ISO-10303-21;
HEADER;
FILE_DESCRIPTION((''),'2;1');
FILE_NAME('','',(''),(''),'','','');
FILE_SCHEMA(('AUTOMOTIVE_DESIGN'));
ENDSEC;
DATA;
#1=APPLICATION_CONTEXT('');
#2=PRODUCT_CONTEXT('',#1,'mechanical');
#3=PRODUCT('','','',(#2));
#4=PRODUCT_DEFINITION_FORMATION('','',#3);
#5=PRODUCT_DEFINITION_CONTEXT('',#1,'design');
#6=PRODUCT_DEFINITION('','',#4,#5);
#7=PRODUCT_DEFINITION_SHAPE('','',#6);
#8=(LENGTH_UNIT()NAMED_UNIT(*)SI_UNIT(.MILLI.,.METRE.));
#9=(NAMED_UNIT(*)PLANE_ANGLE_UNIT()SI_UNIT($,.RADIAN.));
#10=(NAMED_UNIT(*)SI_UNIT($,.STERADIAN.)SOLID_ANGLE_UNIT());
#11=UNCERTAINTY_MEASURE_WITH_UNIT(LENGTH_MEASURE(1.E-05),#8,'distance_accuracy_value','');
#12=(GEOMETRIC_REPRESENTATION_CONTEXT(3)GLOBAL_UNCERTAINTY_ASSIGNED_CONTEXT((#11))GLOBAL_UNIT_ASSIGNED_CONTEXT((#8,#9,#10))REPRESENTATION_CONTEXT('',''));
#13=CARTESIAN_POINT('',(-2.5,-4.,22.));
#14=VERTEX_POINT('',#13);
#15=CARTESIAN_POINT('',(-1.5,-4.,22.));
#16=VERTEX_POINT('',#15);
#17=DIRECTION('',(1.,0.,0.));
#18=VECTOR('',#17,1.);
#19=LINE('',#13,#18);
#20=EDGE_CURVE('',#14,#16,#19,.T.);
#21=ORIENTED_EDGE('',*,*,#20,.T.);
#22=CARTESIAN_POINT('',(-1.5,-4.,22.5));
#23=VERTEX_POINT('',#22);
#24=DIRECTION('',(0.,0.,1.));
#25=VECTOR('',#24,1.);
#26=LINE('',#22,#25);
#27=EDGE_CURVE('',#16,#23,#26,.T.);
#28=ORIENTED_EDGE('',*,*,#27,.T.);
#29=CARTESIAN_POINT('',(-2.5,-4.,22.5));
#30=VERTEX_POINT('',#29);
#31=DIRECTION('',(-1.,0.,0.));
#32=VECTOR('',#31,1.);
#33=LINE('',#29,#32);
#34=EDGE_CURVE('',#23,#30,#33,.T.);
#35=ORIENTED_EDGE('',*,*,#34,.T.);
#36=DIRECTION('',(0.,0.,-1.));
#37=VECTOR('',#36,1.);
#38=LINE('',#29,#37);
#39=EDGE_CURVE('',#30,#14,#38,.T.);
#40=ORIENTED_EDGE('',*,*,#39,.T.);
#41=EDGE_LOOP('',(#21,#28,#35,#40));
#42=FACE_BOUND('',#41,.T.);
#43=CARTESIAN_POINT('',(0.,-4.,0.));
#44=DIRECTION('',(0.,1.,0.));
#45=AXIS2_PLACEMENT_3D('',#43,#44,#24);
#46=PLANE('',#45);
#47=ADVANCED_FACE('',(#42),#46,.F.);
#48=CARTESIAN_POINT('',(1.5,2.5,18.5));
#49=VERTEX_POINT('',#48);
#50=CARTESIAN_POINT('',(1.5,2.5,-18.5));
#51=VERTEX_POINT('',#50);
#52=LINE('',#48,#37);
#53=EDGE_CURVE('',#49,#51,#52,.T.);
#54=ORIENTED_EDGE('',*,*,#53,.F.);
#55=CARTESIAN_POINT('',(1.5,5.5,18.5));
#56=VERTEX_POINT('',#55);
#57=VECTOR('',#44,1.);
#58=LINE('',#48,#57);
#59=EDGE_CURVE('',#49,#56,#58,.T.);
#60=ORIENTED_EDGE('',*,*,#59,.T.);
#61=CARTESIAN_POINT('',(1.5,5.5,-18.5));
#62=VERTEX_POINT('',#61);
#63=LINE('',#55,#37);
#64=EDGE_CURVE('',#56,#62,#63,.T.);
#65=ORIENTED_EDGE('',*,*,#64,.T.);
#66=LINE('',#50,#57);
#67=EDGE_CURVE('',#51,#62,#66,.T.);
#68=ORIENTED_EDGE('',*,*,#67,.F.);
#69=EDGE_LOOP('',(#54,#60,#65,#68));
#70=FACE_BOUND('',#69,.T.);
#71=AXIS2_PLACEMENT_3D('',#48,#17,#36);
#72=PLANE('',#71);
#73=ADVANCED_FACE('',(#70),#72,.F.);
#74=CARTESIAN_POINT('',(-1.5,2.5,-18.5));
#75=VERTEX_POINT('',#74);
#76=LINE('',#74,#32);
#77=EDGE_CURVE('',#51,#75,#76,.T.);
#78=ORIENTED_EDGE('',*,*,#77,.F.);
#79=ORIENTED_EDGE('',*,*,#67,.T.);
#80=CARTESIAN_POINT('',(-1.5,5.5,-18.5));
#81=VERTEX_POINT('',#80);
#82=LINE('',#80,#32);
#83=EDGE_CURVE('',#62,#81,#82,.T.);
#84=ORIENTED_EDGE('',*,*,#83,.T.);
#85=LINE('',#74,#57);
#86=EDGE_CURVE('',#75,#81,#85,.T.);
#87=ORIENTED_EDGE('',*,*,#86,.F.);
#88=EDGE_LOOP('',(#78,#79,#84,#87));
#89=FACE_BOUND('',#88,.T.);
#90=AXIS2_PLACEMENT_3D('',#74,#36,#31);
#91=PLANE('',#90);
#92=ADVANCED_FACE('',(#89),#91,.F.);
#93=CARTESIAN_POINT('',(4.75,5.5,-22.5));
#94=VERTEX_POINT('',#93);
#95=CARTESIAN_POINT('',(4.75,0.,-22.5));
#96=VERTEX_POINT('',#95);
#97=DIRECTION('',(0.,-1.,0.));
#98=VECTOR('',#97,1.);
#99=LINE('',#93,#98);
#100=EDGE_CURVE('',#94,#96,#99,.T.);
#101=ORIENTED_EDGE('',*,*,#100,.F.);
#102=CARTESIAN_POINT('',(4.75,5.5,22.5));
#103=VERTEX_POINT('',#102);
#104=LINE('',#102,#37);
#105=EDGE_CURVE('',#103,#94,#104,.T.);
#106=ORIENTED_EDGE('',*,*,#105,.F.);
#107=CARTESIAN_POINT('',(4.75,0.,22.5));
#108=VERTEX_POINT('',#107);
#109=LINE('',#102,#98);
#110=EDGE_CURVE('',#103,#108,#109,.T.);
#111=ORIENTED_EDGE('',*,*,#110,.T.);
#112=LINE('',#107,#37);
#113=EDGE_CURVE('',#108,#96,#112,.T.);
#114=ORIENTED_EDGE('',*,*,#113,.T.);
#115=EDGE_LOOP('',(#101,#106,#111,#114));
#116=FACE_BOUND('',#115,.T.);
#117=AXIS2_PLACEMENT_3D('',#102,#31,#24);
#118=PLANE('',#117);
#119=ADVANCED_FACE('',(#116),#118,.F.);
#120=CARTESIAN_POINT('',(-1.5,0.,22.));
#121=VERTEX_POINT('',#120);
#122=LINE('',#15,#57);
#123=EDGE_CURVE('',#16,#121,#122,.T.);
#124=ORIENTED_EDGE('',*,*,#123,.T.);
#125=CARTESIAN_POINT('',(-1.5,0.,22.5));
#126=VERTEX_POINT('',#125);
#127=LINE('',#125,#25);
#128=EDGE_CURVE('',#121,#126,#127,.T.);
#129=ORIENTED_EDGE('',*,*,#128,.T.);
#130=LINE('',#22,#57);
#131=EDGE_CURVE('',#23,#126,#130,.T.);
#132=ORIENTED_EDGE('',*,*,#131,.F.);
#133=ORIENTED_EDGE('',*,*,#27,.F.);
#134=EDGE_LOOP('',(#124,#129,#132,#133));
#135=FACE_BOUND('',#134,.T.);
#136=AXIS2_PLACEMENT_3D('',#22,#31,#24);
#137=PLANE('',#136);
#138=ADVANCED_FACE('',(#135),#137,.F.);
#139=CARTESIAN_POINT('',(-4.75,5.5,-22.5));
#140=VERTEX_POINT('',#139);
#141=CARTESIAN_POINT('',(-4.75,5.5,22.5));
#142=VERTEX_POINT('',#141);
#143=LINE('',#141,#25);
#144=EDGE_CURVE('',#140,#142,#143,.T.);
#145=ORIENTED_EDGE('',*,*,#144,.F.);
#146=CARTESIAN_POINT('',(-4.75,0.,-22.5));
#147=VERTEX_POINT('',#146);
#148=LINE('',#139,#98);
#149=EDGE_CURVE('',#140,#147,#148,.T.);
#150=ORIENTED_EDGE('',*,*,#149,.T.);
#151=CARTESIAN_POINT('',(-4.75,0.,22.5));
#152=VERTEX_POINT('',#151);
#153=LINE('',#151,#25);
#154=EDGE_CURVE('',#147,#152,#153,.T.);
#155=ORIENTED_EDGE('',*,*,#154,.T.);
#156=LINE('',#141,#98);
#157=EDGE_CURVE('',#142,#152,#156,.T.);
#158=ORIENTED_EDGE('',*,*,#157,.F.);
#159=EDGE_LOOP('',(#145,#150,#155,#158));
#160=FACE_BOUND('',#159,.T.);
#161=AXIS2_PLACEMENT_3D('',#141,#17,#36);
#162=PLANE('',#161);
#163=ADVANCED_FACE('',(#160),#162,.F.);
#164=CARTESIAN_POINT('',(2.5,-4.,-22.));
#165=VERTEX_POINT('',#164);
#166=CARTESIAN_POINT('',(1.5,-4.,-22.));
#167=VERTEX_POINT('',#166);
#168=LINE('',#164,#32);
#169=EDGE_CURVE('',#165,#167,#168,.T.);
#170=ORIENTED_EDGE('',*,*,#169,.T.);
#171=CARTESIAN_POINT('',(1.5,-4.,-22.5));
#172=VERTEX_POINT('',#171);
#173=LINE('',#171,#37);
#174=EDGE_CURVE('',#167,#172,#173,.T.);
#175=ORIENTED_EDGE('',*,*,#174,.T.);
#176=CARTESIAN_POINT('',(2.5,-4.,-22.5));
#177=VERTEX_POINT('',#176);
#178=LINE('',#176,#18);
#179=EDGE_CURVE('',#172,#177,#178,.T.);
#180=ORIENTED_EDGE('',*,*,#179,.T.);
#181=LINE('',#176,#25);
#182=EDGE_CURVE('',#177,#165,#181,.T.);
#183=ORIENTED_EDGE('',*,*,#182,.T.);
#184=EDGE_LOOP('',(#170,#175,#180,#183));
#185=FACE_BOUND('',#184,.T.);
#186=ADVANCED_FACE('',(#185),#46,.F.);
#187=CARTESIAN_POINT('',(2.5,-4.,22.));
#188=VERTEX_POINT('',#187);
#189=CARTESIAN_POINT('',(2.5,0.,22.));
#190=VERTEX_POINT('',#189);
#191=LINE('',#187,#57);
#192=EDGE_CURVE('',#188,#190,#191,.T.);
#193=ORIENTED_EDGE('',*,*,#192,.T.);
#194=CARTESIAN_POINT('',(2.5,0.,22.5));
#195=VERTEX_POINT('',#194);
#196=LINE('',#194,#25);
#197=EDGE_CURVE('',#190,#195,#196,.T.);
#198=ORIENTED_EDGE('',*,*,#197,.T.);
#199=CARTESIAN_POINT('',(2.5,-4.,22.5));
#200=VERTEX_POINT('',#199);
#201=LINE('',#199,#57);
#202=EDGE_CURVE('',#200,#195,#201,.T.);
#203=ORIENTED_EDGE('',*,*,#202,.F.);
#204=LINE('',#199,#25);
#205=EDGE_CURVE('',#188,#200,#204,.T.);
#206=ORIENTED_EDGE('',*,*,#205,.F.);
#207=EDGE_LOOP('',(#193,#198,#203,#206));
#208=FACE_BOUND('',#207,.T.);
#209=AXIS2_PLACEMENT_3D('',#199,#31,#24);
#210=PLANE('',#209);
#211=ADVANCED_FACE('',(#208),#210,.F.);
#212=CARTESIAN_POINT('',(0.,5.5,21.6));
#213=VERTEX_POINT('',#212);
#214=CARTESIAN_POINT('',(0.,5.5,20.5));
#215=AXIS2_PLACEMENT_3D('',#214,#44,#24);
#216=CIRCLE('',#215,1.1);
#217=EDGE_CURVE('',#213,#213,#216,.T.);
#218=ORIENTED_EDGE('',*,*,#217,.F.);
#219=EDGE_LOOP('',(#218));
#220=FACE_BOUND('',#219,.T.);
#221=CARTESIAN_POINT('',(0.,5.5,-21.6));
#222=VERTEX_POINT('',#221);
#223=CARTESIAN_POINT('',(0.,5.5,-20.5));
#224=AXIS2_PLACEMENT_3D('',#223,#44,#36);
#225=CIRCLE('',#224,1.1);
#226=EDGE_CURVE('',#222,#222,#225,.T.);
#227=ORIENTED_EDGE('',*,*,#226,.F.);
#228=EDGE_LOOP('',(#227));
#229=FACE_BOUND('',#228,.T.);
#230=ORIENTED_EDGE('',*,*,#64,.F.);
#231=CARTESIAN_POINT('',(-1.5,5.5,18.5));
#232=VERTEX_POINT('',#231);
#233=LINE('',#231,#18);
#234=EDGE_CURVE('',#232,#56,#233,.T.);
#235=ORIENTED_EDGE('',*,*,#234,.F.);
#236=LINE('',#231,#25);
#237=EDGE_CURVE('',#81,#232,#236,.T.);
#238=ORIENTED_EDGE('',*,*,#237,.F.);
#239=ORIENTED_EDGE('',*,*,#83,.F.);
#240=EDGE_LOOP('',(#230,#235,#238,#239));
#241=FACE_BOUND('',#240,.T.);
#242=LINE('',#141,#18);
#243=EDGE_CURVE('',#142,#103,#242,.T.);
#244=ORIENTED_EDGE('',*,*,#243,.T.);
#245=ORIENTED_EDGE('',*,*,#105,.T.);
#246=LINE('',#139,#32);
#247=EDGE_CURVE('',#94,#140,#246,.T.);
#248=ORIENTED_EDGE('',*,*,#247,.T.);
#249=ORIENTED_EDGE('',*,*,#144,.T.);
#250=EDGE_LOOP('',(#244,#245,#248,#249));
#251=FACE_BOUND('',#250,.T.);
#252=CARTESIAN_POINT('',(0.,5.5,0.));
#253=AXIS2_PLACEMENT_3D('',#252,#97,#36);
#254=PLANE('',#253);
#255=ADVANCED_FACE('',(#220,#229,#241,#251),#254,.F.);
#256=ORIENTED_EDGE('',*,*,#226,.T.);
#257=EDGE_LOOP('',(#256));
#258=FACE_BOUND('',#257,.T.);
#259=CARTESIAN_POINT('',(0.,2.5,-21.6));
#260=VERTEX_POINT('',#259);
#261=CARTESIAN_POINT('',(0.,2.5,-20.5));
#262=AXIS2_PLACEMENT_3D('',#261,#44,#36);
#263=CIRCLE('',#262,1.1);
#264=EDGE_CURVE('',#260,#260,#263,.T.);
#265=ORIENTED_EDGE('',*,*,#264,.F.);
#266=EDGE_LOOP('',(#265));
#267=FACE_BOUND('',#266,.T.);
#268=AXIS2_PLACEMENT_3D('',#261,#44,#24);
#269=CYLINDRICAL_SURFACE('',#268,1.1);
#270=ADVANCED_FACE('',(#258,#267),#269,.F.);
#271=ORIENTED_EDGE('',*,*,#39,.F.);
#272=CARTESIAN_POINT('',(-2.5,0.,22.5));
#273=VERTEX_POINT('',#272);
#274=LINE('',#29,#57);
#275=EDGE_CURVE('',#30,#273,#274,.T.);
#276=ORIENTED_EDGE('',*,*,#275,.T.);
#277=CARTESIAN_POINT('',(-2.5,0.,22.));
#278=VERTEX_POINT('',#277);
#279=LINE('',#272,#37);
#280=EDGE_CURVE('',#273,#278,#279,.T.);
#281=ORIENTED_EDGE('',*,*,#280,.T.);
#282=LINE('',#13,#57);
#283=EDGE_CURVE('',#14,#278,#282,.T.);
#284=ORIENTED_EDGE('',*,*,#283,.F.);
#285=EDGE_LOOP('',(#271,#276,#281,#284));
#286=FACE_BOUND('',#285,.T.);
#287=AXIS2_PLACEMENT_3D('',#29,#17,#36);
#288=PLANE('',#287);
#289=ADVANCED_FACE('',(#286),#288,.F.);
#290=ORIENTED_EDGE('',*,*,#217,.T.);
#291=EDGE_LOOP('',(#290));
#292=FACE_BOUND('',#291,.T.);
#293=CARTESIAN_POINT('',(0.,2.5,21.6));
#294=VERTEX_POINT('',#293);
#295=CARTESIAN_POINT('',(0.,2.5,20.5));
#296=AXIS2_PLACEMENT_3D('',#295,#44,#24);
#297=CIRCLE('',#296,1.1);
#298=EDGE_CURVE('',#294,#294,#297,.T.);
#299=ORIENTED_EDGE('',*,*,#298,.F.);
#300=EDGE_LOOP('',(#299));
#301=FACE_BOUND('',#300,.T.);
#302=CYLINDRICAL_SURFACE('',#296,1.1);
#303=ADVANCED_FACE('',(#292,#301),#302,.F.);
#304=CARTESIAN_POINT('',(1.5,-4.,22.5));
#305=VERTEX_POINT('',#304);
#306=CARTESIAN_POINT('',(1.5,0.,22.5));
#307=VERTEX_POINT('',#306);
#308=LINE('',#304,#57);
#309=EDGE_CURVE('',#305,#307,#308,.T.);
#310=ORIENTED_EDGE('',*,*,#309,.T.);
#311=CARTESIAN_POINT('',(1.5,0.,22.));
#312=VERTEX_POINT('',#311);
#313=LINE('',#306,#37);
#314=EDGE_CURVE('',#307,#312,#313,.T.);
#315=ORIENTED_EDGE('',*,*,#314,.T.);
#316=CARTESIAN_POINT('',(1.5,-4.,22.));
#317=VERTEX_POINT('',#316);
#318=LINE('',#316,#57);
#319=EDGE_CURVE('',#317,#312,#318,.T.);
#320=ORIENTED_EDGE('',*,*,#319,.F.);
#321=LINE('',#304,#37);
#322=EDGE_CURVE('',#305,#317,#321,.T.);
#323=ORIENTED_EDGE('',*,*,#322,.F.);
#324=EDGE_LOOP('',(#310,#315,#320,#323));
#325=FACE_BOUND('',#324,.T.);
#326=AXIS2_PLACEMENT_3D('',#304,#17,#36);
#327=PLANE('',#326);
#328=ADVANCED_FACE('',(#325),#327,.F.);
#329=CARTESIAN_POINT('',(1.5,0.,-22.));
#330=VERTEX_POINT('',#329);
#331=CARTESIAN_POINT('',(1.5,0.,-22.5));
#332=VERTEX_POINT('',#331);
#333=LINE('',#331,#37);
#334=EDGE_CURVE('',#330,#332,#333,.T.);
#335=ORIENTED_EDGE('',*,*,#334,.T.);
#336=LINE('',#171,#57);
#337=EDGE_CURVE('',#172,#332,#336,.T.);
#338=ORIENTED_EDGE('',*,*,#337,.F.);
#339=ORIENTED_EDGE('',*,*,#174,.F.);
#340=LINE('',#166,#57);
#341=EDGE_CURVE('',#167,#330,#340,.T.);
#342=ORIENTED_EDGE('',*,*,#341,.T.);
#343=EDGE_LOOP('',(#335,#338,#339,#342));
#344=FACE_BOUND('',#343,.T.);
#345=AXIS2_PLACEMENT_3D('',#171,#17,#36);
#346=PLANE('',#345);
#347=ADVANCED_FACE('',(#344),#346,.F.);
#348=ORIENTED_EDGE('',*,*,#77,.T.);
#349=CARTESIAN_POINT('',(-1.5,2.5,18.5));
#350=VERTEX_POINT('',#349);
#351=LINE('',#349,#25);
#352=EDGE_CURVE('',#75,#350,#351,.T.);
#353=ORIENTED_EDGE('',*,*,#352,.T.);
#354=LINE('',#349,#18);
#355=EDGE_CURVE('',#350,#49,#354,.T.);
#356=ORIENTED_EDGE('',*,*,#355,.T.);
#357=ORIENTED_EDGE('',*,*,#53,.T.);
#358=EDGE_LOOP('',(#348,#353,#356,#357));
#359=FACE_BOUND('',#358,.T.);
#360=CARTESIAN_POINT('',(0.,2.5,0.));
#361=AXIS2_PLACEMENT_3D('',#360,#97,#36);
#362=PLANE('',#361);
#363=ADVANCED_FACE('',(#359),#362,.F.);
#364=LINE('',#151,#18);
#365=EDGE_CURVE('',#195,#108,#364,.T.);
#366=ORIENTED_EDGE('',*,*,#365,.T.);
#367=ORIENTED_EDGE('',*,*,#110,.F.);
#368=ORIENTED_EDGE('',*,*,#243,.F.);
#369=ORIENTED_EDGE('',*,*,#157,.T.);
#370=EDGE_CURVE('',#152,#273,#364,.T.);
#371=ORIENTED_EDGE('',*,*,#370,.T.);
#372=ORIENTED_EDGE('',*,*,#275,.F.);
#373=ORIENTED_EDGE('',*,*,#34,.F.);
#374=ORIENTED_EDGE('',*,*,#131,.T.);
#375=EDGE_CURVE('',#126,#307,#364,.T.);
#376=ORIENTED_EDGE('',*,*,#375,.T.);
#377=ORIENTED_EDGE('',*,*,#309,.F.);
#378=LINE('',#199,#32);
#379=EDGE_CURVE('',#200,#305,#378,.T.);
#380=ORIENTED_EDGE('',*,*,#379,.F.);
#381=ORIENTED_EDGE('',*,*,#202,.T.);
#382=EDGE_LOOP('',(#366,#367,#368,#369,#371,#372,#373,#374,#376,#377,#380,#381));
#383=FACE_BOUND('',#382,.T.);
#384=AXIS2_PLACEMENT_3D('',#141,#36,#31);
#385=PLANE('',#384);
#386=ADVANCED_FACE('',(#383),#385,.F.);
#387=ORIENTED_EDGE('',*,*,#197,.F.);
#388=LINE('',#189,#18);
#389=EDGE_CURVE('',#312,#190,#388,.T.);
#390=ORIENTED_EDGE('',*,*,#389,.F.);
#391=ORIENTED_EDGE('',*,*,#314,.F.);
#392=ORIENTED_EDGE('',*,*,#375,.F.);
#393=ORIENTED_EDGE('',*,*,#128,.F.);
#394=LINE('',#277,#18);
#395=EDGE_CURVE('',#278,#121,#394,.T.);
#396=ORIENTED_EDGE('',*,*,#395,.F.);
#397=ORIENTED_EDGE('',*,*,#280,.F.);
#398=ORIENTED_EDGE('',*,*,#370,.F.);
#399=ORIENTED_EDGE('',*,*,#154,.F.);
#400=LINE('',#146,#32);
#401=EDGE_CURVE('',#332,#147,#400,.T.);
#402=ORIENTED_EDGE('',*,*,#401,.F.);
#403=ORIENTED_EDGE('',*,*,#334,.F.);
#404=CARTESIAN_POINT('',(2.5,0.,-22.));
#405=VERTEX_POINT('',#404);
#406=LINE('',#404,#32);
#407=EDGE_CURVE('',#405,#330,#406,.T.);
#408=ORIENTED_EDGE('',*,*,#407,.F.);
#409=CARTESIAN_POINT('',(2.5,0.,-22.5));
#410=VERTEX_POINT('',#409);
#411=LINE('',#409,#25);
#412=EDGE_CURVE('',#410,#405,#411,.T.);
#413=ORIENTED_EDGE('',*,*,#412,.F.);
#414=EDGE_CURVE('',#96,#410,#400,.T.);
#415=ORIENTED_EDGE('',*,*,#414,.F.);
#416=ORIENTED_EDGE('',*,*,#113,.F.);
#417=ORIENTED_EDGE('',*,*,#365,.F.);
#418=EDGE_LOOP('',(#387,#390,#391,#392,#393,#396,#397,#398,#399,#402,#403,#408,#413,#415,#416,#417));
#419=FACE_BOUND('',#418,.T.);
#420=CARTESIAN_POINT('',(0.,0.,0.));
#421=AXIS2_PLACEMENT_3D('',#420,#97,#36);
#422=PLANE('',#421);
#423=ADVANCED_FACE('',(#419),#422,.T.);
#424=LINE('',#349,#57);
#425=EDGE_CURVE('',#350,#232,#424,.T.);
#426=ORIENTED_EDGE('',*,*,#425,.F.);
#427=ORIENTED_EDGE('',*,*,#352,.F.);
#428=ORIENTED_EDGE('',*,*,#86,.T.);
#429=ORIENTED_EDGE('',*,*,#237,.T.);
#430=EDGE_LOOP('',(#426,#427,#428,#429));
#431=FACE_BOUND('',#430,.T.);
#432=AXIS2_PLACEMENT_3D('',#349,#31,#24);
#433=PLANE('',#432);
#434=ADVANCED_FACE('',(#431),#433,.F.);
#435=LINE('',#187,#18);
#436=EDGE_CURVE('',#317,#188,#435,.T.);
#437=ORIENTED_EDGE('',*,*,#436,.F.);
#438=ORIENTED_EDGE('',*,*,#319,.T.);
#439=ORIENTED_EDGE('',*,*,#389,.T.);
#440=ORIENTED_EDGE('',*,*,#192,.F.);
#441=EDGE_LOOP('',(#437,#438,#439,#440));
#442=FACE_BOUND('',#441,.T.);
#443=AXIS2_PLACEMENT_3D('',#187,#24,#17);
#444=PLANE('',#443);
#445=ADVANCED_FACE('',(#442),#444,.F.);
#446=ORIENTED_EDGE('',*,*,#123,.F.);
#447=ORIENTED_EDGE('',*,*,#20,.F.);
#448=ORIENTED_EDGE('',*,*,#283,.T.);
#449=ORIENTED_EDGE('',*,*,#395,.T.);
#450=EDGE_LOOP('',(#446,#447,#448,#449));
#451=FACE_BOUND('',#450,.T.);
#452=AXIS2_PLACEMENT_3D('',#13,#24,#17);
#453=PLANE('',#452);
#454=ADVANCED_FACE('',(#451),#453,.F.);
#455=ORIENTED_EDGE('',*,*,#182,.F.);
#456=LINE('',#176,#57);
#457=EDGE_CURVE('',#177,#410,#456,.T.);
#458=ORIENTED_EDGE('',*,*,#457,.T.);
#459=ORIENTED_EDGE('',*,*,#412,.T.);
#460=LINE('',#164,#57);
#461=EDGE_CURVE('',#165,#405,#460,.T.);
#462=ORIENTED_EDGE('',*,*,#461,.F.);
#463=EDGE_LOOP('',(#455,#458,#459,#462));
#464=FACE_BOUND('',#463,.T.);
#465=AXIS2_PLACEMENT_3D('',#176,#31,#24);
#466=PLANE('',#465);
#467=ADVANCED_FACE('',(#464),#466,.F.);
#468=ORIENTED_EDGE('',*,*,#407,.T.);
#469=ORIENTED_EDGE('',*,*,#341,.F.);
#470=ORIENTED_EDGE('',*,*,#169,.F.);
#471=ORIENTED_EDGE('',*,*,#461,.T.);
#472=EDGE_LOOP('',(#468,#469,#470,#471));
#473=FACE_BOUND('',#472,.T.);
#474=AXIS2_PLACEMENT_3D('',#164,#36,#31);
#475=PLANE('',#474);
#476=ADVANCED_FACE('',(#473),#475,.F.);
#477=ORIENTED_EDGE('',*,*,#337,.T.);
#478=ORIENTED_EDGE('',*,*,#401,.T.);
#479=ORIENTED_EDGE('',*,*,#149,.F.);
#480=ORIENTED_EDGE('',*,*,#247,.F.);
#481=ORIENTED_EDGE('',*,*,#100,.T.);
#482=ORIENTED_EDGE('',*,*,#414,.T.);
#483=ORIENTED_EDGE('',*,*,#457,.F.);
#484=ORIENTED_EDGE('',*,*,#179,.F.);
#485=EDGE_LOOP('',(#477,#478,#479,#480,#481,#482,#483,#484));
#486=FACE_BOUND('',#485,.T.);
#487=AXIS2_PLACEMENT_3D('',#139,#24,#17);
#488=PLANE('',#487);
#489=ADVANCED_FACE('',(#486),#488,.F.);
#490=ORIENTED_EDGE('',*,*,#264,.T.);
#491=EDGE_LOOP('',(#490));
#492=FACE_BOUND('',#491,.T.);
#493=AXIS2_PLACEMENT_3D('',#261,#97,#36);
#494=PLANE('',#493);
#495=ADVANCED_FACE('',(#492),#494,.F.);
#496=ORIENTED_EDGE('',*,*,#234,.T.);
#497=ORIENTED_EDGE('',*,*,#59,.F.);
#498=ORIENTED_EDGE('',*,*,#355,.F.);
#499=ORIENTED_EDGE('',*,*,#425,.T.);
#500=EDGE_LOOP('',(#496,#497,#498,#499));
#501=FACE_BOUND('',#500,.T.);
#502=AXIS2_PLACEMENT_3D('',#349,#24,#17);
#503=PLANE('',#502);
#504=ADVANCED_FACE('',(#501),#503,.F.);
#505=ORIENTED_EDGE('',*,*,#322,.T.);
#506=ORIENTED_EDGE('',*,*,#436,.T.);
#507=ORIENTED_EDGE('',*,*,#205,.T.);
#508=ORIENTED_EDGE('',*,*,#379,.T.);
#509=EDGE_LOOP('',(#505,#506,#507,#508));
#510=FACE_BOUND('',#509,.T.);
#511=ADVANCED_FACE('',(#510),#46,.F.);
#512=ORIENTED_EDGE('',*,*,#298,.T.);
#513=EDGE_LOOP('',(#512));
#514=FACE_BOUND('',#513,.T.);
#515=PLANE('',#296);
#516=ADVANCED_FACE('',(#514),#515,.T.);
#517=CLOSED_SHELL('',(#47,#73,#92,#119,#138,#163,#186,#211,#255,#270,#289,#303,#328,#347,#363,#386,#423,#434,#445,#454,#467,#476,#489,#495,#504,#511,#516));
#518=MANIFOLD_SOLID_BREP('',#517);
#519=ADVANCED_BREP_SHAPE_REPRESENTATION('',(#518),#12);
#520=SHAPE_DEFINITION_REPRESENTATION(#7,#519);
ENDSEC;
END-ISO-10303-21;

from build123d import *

# Parameters (mm, degrees)
SKETCH_1_W          = 9.5
SKETCH_1_H          = 45
EXTRUDE_1_DEPTH     = 5.5
SKETCH_2_W          = 3
SKETCH_2_H          = 37
CUT_EXTRUDE_1_DEPTH = 3
SKETCH_3_R          = 1.1
CUT_EXTRUDE_2_DEPTH = 3
SKETCH_4_W          = 1
SKETCH_4_H          = 0.5
EXTRUDE_2_DEPTH     = 4


with BuildPart() as part:
    # 草图1 → 凸台-拉伸1 (new body)
    with BuildSketch(Plane(origin=(0, 0, 0), x_dir=(1, 0, 0), z_dir=(0, 1, 0))):
        Rectangle(SKETCH_1_W, SKETCH_1_H)
    extrude(amount=EXTRUDE_1_DEPTH)

    # 草图2 → 切除-拉伸1 (cut)
    with BuildSketch(Plane(origin=(0, 5.5, 0), x_dir=(1, 0, 0), z_dir=(0, 1, 0))):
        Rectangle(SKETCH_2_W, SKETCH_2_H)
    extrude(amount=-CUT_EXTRUDE_1_DEPTH, mode=Mode.SUBTRACT)

    # 草图3 → 切除-拉伸2 (cut)
    with BuildSketch(Plane(origin=(0, 5.5, 0), x_dir=(1, 0, 0), z_dir=(0, 1, 0))):
        with Locations(Location((0, -20.5, 0), (0, 0, 270))):
            Circle(SKETCH_3_R)
        with Locations(Location((0, 20.5, 0), (0, 0, 90))):
            Circle(SKETCH_3_R)
    extrude(amount=-CUT_EXTRUDE_2_DEPTH, mode=Mode.SUBTRACT)

    # 草图4 → 凸台-拉伸2 (add)
    with BuildSketch(Plane.XZ):
        with Locations((2, 22.25)):
            Rectangle(SKETCH_4_W, SKETCH_4_H)
        with Locations((-2, 22.25)):
            Rectangle(SKETCH_4_W, SKETCH_4_H)
        with Locations((2, -22.25)):
            Rectangle(SKETCH_4_W, SKETCH_4_H)
    extrude(amount=EXTRUDE_2_DEPTH)


solid = part.part
